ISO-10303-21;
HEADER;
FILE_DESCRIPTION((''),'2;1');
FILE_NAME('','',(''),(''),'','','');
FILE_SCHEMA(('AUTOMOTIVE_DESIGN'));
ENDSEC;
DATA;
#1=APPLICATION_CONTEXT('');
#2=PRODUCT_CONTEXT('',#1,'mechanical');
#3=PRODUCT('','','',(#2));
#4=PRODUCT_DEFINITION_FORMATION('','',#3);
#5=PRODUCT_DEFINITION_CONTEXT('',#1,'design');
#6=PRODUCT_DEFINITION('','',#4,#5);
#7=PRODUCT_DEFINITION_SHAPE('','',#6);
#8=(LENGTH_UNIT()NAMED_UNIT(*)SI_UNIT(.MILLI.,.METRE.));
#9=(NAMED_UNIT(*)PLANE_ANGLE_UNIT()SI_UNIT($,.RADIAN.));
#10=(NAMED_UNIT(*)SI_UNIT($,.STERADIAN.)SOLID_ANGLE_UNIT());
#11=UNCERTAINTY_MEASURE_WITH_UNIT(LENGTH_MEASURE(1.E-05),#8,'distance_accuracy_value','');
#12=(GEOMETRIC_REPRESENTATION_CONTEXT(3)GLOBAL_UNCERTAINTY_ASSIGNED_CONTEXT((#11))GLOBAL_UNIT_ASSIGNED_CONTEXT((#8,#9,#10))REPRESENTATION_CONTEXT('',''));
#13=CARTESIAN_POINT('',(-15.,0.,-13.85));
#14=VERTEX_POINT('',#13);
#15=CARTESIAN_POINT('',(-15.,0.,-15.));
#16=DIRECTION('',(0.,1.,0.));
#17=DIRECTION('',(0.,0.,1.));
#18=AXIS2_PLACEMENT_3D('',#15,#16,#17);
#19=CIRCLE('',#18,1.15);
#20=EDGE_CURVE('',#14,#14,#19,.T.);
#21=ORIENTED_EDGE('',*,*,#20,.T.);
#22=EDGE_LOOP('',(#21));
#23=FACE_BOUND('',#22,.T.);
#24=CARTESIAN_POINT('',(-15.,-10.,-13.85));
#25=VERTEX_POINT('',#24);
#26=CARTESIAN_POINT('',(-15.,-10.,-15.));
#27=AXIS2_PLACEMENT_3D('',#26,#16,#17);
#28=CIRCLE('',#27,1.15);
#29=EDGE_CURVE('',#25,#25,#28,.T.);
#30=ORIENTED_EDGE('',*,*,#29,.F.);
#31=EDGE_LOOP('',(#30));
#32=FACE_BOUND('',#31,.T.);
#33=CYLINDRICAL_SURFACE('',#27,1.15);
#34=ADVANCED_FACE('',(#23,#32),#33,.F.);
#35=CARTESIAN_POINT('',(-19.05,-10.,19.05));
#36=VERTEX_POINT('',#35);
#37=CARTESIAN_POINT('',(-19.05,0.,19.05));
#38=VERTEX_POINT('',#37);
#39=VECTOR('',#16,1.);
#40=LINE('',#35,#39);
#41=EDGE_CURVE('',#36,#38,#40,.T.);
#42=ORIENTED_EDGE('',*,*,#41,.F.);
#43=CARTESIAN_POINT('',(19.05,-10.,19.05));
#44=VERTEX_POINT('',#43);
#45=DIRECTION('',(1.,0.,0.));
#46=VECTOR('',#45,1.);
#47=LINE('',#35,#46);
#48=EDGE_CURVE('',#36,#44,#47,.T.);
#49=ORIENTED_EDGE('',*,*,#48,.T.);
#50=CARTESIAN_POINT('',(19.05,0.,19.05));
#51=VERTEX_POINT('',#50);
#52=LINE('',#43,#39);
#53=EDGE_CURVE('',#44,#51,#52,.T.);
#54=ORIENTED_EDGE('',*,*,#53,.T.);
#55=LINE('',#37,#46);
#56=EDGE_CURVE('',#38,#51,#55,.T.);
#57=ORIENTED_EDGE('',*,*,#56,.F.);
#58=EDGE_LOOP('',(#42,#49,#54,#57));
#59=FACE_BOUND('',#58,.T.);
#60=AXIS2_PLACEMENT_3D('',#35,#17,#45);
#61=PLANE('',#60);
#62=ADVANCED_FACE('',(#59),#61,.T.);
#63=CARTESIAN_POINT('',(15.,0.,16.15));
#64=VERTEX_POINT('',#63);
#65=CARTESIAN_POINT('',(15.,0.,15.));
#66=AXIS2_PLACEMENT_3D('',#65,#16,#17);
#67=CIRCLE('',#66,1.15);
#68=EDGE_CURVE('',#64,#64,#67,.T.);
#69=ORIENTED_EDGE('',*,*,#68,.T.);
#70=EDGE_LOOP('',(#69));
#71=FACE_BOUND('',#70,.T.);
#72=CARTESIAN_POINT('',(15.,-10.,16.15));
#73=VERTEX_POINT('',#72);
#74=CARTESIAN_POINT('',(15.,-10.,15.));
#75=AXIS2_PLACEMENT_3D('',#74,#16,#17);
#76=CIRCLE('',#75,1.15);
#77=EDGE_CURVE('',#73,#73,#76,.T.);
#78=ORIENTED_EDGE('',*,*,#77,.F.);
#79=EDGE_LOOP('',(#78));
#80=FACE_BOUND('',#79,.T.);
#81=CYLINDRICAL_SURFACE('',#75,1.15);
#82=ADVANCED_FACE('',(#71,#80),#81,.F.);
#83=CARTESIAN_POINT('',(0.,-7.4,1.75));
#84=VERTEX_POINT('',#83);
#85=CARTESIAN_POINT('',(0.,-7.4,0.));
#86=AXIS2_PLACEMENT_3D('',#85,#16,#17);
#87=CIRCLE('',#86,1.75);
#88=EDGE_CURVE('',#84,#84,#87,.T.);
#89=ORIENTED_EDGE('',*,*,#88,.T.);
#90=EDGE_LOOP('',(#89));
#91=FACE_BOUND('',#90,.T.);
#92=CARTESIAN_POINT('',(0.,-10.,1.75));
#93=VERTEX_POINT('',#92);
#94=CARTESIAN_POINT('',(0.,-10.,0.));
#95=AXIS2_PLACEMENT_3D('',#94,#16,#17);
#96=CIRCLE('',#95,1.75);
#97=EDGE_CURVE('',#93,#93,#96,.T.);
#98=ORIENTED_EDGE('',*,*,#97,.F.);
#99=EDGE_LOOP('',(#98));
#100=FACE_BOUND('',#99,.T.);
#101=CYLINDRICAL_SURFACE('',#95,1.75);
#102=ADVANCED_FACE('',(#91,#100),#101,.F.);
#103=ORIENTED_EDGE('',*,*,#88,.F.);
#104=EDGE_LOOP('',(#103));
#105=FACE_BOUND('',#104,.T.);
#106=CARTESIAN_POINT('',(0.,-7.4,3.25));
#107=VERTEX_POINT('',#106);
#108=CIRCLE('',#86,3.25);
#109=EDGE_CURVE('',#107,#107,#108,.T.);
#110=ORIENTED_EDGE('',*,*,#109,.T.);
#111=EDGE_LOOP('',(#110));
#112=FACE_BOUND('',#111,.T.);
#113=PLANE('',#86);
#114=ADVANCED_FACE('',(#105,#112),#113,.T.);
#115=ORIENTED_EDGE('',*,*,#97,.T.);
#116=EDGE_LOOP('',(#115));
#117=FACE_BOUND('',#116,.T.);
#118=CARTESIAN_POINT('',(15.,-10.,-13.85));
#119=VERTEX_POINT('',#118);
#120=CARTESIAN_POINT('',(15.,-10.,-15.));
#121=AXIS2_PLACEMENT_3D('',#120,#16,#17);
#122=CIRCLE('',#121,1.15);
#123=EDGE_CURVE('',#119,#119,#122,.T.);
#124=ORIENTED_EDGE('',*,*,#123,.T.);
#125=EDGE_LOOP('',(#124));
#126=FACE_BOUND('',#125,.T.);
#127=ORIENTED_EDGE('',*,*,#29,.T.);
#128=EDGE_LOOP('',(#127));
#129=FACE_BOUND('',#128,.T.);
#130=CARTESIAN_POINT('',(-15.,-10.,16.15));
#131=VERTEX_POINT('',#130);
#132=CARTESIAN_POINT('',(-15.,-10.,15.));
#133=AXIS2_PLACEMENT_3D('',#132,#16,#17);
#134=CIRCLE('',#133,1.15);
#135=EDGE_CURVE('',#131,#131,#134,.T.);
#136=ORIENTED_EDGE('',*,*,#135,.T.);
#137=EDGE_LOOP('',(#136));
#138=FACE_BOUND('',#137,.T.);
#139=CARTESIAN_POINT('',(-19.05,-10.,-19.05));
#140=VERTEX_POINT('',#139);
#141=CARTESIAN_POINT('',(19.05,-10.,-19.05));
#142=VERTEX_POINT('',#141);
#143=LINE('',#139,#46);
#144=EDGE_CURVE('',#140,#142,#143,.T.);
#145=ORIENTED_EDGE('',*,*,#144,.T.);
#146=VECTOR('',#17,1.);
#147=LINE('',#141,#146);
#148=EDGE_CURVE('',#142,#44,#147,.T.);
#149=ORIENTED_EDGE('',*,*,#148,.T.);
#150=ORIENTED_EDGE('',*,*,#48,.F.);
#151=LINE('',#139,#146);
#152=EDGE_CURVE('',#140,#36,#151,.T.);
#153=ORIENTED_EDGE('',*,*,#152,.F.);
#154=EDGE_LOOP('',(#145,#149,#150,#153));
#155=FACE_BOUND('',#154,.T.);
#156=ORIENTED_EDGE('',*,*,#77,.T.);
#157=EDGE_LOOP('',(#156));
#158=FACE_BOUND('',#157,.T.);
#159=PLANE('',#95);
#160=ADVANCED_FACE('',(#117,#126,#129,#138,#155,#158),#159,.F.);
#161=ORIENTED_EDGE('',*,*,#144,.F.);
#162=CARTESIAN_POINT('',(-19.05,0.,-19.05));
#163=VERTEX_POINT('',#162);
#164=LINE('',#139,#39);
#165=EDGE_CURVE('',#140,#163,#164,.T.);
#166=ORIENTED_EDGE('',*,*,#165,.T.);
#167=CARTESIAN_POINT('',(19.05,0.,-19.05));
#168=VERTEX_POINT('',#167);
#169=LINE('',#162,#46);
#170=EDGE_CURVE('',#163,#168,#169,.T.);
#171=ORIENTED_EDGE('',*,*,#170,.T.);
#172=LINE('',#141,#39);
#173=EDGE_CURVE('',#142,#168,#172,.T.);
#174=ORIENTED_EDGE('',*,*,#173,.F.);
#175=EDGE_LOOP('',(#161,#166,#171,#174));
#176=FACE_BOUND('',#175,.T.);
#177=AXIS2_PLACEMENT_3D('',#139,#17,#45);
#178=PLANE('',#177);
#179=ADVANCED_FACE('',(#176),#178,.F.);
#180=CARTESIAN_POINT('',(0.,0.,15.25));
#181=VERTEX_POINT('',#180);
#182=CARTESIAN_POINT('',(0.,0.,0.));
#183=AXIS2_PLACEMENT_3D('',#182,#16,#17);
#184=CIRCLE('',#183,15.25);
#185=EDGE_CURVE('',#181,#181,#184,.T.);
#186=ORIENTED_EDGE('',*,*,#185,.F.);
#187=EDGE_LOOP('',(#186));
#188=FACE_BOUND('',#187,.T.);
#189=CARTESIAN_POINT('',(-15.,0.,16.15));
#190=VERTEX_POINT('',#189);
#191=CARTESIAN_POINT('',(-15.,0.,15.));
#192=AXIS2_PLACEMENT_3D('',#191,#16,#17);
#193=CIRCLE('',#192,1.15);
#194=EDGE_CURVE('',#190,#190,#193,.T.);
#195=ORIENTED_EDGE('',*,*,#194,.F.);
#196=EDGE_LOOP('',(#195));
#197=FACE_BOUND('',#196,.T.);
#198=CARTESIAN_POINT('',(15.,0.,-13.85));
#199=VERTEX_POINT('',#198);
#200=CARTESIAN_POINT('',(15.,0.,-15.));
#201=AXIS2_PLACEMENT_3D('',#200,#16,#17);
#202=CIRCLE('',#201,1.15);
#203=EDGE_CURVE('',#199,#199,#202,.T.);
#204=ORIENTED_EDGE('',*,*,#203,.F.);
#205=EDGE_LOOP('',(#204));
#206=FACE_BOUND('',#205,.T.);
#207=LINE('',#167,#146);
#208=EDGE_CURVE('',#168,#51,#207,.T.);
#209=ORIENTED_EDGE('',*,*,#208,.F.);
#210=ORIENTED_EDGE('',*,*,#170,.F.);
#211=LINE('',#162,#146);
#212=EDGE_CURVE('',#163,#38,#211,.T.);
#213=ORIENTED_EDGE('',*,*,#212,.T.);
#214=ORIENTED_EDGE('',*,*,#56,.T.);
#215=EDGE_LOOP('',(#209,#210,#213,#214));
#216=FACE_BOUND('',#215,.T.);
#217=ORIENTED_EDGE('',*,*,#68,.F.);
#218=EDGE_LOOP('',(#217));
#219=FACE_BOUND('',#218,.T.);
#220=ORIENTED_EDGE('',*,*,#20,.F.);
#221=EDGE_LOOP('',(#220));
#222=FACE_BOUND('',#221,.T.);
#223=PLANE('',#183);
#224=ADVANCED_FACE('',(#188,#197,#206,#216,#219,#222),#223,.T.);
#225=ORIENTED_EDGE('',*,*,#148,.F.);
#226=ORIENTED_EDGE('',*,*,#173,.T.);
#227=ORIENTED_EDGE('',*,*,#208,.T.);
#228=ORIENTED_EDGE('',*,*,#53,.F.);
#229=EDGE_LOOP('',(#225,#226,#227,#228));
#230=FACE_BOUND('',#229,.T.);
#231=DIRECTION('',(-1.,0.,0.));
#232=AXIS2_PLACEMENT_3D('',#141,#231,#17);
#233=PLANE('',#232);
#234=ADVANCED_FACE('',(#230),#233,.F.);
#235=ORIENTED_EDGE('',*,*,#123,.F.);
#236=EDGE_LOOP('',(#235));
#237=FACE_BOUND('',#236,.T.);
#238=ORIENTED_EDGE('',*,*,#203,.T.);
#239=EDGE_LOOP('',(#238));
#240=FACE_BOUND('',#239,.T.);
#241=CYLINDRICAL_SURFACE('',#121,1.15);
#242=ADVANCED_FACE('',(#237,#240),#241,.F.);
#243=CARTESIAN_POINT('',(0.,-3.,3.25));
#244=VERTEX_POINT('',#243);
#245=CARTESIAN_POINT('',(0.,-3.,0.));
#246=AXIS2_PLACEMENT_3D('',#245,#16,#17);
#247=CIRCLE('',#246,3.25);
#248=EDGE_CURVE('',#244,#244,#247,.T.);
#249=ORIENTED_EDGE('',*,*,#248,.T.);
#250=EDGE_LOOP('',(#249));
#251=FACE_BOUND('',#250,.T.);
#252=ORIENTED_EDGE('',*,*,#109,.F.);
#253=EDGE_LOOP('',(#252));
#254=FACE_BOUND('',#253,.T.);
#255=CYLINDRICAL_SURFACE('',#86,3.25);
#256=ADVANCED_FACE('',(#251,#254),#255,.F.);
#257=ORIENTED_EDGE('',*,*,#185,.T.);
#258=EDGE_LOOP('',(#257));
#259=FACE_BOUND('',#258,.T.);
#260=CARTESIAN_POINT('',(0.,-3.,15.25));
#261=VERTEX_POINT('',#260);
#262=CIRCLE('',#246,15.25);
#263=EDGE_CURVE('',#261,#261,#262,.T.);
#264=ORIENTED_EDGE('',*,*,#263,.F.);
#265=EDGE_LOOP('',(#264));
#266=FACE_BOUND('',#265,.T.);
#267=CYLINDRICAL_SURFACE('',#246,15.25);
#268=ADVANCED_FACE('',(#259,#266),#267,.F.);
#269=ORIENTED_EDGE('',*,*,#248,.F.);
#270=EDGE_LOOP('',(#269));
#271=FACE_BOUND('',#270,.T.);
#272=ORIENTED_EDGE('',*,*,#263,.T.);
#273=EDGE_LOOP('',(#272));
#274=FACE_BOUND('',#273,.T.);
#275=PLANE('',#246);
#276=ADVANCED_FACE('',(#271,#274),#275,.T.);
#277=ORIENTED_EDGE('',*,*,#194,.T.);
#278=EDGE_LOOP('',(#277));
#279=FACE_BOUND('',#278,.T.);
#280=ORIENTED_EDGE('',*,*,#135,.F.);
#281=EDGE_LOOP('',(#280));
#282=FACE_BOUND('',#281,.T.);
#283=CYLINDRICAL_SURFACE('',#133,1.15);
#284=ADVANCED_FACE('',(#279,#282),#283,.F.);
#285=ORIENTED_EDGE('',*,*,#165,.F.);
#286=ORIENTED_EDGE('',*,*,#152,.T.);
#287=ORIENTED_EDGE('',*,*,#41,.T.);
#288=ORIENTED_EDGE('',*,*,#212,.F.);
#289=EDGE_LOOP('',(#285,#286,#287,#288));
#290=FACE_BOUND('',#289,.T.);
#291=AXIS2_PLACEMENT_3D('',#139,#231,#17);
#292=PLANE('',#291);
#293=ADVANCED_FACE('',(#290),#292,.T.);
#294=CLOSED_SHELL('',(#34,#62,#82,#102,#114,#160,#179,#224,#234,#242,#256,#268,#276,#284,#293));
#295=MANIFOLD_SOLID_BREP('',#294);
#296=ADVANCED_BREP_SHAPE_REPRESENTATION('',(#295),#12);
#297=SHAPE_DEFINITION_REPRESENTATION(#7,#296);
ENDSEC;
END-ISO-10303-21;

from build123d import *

# Parameters (mm, degrees)
SKETCH1_W           = 38.1
SKETCH1_H           = 38.1
BOSS_EXTRUDE1_DEPTH = 10
SKETCH1_3_R         = 1.15
CUT_EXTRUDE1_DEPTH  = 10
SKETCH1_4_R         = 1.15
CUT_EXTRUDE2_DEPTH  = 10
SKETCH1_5_R         = 1.15
CUT_EXTRUDE3_DEPTH  = 10
SKETCH1_6_R         = 1.15
CUT_EXTRUDE4_DEPTH  = 10
SKETCH1_7_R         = 15.25
SKETCH1_7_R_2       = 3.25
CUT_EXTRUDE5_DEPTH  = 3
SKETCH1_8_R         = 3.25
SKETCH1_8_R_2       = 1.75
CUT_EXTRUDE6_DEPTH  = 7.4
SKETCH1_9_R         = 1.75
CUT_EXTRUDE7_DEPTH  = 10


with BuildPart() as part:
    # Sketch1 → Boss-Extrude1 (new body)
    with BuildSketch(Plane(origin=(0, 0, 0), x_dir=(1, 0, 0), z_dir=(0, 1, 0))):
        Rectangle(SKETCH1_W, SKETCH1_H)
    extrude(amount=-BOSS_EXTRUDE1_DEPTH)

    # Sketch1<3> → Cut-Extrude1 (cut)
    with BuildSketch(Plane(origin=(0, 0, 0), x_dir=(1, 0, 0), z_dir=(0, 1, 0))):
        with Locations((-15, 15)):
            Circle(SKETCH1_3_R)
    extrude(amount=-CUT_EXTRUDE1_DEPTH, mode=Mode.SUBTRACT)

    # Sketch1<4> → Cut-Extrude2 (cut)
    with BuildSketch(Plane(origin=(0, 0, 0), x_dir=(1, 0, 0), z_dir=(0, 1, 0))):
        with Locations((15, 15)):
            Circle(SKETCH1_4_R)
    extrude(amount=-CUT_EXTRUDE2_DEPTH, mode=Mode.SUBTRACT)

    # Sketch1<5> → Cut-Extrude3 (cut)
    with BuildSketch(Plane(origin=(0, 0, 0), x_dir=(1, 0, 0), z_dir=(0, 1, 0))):
        with Locations((-15, -15)):
            Circle(SKETCH1_5_R)
    extrude(amount=-CUT_EXTRUDE3_DEPTH, mode=Mode.SUBTRACT)

    # Sketch1<6> → Cut-Extrude4 (cut)
    with BuildSketch(Plane(origin=(0, 0, 0), x_dir=(1, 0, 0), z_dir=(0, 1, 0))):
        with Locations((15, -15)):
            Circle(SKETCH1_6_R)
    extrude(amount=-CUT_EXTRUDE4_DEPTH, mode=Mode.SUBTRACT)

    # Sketch1<7> → Cut-Extrude5 (cut)
    with BuildSketch(Plane(origin=(0, 0, 0), x_dir=(1, 0, 0), z_dir=(0, 1, 0))):
        Circle(SKETCH1_7_R)
        Circle(SKETCH1_7_R_2, mode=Mode.SUBTRACT)
    extrude(amount=-CUT_EXTRUDE5_DEPTH, mode=Mode.SUBTRACT)

    # Sketch1<8> → Cut-Extrude6 (cut)
    with BuildSketch(Plane(origin=(0, 0, 0), x_dir=(1, 0, 0), z_dir=(0, 1, 0))):
        Circle(SKETCH1_8_R)
        Circle(SKETCH1_8_R_2, mode=Mode.SUBTRACT)
    extrude(amount=-CUT_EXTRUDE6_DEPTH, mode=Mode.SUBTRACT)

    # Sketch1<9> → Cut-Extrude7 (cut)
    with BuildSketch(Plane(origin=(0, 0, 0), x_dir=(1, 0, 0), z_dir=(0, 1, 0))):
        Circle(SKETCH1_9_R)
    extrude(amount=-CUT_EXTRUDE7_DEPTH, mode=Mode.SUBTRACT)


solid = part.part
